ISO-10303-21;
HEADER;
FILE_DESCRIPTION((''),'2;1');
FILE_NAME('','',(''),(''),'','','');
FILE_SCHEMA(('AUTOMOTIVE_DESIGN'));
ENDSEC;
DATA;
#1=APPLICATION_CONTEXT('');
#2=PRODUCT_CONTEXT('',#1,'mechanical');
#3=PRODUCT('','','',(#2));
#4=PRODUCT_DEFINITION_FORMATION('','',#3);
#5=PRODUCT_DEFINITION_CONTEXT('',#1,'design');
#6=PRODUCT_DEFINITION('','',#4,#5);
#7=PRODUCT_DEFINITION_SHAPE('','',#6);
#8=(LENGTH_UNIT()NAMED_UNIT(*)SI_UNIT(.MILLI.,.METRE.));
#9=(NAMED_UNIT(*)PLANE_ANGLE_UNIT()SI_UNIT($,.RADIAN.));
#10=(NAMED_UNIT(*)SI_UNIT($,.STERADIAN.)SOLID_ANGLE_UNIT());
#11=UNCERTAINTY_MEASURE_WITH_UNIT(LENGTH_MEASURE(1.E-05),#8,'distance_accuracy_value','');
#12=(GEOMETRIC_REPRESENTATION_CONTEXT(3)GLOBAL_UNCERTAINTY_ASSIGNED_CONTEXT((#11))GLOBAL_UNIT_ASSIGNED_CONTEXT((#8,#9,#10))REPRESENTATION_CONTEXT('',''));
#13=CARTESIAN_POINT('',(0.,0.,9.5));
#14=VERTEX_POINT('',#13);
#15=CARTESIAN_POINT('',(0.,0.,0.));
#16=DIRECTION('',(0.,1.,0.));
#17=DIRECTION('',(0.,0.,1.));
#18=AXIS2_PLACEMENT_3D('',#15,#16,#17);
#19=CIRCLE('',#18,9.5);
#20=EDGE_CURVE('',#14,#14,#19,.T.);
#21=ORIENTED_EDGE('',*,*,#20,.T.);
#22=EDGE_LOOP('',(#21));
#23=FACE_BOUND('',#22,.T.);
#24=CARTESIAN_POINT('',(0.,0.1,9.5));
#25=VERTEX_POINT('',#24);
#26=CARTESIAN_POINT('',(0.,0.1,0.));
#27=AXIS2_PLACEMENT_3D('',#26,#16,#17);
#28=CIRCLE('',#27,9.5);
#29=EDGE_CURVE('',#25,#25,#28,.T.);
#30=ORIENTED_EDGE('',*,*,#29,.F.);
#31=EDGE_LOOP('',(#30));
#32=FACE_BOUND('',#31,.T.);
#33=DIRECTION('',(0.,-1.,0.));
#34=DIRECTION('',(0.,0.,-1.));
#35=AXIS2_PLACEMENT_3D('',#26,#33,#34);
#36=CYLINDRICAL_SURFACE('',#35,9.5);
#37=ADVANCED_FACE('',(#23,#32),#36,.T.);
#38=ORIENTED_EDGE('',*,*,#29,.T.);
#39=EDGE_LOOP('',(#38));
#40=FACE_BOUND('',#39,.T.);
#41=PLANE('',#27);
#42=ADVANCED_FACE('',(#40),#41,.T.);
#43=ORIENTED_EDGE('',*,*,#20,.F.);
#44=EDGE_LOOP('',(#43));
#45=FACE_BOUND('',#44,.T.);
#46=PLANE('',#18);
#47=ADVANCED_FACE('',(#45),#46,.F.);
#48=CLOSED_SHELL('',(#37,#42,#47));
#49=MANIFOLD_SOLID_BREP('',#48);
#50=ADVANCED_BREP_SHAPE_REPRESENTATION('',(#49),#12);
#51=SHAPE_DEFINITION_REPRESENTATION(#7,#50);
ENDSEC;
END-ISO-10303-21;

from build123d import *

# Parameters (mm, degrees)
SCHIZZO1_R                   = 9.5
ESTRUSIONE_ESTRUSIONE1_DEPTH = 0.1


with BuildPart() as part:
    # Schizzo1 → Estrusione-Estrusione1 (new body)
    with BuildSketch(Plane(origin=(0, 0, 0), x_dir=(1, 0, 0), z_dir=(0, 1, 0))):
        Circle(SCHIZZO1_R)
    extrude(amount=ESTRUSIONE_ESTRUSIONE1_DEPTH)


solid = part.part
